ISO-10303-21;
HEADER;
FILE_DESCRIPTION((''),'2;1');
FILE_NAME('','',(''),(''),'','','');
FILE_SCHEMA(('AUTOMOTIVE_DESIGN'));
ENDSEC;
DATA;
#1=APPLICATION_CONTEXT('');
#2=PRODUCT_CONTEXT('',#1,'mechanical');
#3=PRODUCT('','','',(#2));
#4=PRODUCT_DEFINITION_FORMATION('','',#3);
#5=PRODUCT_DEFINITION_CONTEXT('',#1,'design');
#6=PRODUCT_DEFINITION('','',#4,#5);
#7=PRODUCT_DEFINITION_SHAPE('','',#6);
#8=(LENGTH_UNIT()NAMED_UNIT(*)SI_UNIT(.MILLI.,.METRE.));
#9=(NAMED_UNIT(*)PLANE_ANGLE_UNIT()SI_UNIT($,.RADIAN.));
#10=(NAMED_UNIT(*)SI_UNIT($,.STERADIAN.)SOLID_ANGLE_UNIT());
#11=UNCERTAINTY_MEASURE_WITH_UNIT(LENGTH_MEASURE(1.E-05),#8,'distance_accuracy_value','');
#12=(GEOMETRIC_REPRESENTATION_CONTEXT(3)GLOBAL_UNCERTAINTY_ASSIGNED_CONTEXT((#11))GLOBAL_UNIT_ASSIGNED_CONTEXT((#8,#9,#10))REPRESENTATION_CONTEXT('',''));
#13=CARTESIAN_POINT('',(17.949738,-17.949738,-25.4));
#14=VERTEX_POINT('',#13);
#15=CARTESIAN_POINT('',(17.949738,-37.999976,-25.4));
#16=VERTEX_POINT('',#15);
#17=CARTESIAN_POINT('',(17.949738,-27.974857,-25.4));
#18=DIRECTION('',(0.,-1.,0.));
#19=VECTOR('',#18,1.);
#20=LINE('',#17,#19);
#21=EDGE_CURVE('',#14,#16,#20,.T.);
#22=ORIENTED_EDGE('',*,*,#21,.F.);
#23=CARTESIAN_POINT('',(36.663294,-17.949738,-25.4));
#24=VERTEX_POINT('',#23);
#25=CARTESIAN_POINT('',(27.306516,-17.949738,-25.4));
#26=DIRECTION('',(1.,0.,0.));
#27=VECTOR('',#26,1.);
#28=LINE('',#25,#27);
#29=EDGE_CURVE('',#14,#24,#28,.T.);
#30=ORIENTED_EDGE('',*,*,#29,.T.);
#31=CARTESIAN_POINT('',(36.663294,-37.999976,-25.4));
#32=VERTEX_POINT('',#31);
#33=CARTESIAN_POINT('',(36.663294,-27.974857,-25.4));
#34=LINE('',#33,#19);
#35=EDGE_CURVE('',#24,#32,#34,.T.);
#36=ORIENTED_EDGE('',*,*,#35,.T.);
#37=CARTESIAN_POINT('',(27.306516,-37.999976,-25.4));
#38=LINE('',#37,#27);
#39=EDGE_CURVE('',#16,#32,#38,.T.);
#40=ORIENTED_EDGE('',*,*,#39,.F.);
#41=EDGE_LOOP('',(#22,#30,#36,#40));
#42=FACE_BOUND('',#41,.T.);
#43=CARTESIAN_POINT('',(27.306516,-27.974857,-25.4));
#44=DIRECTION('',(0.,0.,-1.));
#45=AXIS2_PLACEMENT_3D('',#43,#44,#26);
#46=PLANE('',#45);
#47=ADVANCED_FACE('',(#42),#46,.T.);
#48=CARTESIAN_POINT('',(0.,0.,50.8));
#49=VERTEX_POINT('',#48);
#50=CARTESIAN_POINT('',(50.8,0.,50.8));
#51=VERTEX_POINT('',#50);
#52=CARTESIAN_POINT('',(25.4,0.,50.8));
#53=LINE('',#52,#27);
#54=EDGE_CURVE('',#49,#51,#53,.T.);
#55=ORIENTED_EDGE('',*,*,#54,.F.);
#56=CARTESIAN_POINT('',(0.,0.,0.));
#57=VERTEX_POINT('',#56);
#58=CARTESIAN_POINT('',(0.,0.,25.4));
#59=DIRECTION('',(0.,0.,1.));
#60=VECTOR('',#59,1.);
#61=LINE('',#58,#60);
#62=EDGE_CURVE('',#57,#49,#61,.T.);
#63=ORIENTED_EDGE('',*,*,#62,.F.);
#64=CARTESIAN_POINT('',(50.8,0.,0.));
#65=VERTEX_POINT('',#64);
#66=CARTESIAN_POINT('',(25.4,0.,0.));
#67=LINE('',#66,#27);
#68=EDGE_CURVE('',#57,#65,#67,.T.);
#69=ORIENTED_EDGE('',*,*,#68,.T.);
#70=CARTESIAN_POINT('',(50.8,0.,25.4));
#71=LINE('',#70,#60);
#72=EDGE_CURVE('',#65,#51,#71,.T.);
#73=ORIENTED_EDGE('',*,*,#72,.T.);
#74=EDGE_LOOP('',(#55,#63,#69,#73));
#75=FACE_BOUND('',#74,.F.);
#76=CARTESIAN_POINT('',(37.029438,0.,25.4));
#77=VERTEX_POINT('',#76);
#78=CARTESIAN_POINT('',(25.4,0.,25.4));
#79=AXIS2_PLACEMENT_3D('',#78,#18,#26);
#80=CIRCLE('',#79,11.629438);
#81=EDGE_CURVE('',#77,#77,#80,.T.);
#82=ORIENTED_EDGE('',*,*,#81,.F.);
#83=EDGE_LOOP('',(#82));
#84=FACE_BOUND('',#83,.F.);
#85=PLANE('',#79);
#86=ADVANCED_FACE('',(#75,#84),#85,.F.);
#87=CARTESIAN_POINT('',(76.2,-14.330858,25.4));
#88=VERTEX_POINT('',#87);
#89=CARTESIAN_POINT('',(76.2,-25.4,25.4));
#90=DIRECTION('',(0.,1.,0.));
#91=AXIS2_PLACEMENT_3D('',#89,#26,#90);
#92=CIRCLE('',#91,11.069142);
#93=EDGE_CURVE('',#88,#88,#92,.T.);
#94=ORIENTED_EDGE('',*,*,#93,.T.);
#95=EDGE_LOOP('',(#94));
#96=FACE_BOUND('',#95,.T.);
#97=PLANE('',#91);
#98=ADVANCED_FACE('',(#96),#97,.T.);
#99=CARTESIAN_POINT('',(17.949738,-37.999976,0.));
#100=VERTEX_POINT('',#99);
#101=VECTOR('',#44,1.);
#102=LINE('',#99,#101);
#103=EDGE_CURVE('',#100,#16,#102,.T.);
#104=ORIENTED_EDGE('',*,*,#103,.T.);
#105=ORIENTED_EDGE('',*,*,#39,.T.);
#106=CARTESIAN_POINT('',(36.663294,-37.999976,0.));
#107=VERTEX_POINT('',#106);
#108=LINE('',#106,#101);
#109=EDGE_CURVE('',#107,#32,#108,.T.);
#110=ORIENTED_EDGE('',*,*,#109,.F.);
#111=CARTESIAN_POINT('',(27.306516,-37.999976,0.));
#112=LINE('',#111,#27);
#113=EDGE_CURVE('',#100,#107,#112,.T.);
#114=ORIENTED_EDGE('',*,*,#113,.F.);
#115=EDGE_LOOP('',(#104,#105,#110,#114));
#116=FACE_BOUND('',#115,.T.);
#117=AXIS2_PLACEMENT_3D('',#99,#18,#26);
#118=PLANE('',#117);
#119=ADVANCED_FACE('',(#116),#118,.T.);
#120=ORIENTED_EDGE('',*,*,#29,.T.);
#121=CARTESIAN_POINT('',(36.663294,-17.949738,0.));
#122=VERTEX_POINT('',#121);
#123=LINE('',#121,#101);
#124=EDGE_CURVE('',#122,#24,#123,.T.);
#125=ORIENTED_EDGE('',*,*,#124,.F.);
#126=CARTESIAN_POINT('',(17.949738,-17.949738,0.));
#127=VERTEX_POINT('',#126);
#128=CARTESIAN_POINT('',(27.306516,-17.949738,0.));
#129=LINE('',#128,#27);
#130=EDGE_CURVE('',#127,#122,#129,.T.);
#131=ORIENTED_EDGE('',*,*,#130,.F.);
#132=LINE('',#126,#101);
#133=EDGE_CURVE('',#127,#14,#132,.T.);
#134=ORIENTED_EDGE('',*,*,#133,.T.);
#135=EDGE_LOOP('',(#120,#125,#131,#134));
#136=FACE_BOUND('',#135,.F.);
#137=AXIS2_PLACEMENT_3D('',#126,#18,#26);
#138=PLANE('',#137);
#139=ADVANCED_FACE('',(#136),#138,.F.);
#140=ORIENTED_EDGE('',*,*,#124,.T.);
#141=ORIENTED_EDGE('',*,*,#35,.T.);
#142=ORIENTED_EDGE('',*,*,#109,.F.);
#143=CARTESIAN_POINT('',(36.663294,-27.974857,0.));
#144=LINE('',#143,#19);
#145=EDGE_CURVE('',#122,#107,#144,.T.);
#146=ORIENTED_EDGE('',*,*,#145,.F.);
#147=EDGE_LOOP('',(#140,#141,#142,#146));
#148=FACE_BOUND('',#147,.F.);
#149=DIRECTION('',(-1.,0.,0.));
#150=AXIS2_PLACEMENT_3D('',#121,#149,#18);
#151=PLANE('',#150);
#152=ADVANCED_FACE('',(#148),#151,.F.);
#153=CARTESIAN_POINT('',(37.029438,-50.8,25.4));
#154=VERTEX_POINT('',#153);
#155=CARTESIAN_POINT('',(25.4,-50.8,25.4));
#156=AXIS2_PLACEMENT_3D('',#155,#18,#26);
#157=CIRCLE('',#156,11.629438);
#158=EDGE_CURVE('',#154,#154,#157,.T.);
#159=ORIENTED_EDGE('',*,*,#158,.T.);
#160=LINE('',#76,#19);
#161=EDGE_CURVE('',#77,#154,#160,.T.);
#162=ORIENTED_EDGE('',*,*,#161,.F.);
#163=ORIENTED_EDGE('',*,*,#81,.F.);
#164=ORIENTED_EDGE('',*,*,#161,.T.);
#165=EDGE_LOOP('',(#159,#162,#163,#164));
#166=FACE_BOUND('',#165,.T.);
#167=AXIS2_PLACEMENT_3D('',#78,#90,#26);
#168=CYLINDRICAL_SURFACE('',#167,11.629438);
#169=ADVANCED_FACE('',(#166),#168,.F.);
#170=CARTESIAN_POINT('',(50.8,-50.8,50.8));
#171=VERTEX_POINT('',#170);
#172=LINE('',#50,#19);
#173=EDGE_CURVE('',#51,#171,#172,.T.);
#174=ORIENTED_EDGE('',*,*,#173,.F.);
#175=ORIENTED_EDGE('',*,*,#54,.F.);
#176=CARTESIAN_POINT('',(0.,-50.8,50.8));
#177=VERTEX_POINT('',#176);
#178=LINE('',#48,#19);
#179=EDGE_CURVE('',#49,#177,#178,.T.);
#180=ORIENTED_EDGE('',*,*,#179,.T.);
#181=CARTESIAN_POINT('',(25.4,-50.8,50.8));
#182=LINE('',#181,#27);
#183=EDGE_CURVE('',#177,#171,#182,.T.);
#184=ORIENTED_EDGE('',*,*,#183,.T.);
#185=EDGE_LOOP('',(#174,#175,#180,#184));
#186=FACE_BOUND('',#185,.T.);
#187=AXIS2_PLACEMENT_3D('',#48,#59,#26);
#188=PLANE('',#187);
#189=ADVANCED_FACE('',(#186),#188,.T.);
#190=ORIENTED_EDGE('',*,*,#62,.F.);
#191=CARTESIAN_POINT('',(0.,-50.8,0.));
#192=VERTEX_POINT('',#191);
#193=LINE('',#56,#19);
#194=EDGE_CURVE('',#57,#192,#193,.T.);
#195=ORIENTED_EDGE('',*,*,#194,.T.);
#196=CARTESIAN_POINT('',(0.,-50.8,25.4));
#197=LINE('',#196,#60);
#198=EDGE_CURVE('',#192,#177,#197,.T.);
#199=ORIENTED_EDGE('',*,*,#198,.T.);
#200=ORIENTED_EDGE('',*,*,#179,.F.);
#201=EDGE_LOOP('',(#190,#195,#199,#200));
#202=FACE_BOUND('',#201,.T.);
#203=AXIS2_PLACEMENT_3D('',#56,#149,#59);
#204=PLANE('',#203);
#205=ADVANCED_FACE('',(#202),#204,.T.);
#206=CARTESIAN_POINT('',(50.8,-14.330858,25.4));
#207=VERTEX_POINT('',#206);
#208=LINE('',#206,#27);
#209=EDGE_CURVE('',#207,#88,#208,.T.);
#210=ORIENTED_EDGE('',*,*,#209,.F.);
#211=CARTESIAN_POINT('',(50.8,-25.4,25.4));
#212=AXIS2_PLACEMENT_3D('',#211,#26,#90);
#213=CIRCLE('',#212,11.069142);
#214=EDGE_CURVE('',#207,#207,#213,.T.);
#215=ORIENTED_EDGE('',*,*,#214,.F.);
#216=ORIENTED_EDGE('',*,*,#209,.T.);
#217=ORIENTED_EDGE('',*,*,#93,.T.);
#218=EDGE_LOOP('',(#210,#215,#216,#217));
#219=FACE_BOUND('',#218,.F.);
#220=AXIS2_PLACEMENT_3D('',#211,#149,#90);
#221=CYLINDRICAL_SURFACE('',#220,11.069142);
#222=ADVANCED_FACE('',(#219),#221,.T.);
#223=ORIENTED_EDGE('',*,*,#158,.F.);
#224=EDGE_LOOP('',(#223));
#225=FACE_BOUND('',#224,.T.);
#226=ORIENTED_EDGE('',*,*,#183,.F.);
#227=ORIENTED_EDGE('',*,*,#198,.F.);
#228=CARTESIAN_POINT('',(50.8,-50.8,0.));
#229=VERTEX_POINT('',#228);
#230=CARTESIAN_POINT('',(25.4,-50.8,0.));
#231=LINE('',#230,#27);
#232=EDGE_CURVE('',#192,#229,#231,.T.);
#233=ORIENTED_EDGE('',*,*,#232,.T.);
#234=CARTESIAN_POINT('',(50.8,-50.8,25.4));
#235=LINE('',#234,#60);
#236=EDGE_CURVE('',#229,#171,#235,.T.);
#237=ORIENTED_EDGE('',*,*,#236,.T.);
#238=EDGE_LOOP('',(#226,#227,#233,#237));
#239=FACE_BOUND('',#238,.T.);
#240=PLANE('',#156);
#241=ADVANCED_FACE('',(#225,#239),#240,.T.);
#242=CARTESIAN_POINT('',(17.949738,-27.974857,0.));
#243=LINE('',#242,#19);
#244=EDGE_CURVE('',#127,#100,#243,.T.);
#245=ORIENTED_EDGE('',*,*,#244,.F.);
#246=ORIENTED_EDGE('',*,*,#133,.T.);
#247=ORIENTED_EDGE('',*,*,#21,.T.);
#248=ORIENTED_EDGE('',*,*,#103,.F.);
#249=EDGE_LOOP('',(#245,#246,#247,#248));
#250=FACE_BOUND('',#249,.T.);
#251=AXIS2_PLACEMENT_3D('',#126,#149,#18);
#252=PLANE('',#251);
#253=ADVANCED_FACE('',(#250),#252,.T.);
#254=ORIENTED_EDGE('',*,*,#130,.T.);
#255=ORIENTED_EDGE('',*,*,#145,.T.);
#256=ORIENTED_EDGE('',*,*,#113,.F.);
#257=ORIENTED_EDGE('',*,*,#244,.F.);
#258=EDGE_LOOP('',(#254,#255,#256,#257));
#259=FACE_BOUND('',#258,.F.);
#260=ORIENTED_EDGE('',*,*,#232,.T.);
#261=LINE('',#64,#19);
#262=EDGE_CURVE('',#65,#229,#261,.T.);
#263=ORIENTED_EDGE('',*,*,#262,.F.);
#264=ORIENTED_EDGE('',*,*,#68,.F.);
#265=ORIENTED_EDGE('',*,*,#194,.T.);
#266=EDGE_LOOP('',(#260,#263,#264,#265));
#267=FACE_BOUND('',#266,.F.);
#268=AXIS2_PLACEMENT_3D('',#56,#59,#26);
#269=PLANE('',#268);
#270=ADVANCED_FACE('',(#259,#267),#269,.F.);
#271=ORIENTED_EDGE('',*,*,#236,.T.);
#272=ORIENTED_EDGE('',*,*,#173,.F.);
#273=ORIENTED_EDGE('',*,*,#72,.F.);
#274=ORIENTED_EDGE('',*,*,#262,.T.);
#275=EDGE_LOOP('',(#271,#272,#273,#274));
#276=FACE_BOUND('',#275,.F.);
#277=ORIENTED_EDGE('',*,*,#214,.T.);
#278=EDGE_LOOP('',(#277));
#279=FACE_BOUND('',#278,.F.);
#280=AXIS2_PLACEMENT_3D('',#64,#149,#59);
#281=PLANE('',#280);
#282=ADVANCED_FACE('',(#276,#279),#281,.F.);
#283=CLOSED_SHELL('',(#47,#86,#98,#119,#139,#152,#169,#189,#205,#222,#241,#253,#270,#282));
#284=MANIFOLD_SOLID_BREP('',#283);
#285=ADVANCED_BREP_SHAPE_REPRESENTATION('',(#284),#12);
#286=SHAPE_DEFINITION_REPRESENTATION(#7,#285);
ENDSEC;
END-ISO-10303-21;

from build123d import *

# Parameters (mm, degrees)
F0_W     = 50.8
F0_H     = 50.8
F0_R     = 11.629438
F1_DEPTH = 50.8
F2_W     = 18.713556
F2_H     = 20.050238
F3_DEPTH = 25.4
F4_R     = 11.069142
F5_DEPTH = 25.4


with BuildPart() as f1:
    # F0 (on Front) → F1 (new body)
    with BuildSketch(Plane.XZ):
        with Locations((25.4, 25.4)):
            Rectangle(F0_W, F0_H)
        with Locations((25.4, 25.4)):
            Circle(F0_R, mode=Mode.SUBTRACT)
    extrude(amount=F1_DEPTH)

    # F2 (on face) → F3 (join)
    with BuildSketch(Plane(origin=(0, 0, 0), x_dir=(1, 0, 0), z_dir=(0, 0, -1))):
        with Locations((27.306516, 27.974857)):
            Rectangle(F2_W, F2_H)
    extrude(amount=F3_DEPTH)

    # F4 (on face) → F5 (join)
    with BuildSketch(Plane.YZ.offset(50.8)):
        with Locations((-25.4, 25.4)):
            Circle(F4_R)
    extrude(amount=F5_DEPTH)


solid = f1.part
